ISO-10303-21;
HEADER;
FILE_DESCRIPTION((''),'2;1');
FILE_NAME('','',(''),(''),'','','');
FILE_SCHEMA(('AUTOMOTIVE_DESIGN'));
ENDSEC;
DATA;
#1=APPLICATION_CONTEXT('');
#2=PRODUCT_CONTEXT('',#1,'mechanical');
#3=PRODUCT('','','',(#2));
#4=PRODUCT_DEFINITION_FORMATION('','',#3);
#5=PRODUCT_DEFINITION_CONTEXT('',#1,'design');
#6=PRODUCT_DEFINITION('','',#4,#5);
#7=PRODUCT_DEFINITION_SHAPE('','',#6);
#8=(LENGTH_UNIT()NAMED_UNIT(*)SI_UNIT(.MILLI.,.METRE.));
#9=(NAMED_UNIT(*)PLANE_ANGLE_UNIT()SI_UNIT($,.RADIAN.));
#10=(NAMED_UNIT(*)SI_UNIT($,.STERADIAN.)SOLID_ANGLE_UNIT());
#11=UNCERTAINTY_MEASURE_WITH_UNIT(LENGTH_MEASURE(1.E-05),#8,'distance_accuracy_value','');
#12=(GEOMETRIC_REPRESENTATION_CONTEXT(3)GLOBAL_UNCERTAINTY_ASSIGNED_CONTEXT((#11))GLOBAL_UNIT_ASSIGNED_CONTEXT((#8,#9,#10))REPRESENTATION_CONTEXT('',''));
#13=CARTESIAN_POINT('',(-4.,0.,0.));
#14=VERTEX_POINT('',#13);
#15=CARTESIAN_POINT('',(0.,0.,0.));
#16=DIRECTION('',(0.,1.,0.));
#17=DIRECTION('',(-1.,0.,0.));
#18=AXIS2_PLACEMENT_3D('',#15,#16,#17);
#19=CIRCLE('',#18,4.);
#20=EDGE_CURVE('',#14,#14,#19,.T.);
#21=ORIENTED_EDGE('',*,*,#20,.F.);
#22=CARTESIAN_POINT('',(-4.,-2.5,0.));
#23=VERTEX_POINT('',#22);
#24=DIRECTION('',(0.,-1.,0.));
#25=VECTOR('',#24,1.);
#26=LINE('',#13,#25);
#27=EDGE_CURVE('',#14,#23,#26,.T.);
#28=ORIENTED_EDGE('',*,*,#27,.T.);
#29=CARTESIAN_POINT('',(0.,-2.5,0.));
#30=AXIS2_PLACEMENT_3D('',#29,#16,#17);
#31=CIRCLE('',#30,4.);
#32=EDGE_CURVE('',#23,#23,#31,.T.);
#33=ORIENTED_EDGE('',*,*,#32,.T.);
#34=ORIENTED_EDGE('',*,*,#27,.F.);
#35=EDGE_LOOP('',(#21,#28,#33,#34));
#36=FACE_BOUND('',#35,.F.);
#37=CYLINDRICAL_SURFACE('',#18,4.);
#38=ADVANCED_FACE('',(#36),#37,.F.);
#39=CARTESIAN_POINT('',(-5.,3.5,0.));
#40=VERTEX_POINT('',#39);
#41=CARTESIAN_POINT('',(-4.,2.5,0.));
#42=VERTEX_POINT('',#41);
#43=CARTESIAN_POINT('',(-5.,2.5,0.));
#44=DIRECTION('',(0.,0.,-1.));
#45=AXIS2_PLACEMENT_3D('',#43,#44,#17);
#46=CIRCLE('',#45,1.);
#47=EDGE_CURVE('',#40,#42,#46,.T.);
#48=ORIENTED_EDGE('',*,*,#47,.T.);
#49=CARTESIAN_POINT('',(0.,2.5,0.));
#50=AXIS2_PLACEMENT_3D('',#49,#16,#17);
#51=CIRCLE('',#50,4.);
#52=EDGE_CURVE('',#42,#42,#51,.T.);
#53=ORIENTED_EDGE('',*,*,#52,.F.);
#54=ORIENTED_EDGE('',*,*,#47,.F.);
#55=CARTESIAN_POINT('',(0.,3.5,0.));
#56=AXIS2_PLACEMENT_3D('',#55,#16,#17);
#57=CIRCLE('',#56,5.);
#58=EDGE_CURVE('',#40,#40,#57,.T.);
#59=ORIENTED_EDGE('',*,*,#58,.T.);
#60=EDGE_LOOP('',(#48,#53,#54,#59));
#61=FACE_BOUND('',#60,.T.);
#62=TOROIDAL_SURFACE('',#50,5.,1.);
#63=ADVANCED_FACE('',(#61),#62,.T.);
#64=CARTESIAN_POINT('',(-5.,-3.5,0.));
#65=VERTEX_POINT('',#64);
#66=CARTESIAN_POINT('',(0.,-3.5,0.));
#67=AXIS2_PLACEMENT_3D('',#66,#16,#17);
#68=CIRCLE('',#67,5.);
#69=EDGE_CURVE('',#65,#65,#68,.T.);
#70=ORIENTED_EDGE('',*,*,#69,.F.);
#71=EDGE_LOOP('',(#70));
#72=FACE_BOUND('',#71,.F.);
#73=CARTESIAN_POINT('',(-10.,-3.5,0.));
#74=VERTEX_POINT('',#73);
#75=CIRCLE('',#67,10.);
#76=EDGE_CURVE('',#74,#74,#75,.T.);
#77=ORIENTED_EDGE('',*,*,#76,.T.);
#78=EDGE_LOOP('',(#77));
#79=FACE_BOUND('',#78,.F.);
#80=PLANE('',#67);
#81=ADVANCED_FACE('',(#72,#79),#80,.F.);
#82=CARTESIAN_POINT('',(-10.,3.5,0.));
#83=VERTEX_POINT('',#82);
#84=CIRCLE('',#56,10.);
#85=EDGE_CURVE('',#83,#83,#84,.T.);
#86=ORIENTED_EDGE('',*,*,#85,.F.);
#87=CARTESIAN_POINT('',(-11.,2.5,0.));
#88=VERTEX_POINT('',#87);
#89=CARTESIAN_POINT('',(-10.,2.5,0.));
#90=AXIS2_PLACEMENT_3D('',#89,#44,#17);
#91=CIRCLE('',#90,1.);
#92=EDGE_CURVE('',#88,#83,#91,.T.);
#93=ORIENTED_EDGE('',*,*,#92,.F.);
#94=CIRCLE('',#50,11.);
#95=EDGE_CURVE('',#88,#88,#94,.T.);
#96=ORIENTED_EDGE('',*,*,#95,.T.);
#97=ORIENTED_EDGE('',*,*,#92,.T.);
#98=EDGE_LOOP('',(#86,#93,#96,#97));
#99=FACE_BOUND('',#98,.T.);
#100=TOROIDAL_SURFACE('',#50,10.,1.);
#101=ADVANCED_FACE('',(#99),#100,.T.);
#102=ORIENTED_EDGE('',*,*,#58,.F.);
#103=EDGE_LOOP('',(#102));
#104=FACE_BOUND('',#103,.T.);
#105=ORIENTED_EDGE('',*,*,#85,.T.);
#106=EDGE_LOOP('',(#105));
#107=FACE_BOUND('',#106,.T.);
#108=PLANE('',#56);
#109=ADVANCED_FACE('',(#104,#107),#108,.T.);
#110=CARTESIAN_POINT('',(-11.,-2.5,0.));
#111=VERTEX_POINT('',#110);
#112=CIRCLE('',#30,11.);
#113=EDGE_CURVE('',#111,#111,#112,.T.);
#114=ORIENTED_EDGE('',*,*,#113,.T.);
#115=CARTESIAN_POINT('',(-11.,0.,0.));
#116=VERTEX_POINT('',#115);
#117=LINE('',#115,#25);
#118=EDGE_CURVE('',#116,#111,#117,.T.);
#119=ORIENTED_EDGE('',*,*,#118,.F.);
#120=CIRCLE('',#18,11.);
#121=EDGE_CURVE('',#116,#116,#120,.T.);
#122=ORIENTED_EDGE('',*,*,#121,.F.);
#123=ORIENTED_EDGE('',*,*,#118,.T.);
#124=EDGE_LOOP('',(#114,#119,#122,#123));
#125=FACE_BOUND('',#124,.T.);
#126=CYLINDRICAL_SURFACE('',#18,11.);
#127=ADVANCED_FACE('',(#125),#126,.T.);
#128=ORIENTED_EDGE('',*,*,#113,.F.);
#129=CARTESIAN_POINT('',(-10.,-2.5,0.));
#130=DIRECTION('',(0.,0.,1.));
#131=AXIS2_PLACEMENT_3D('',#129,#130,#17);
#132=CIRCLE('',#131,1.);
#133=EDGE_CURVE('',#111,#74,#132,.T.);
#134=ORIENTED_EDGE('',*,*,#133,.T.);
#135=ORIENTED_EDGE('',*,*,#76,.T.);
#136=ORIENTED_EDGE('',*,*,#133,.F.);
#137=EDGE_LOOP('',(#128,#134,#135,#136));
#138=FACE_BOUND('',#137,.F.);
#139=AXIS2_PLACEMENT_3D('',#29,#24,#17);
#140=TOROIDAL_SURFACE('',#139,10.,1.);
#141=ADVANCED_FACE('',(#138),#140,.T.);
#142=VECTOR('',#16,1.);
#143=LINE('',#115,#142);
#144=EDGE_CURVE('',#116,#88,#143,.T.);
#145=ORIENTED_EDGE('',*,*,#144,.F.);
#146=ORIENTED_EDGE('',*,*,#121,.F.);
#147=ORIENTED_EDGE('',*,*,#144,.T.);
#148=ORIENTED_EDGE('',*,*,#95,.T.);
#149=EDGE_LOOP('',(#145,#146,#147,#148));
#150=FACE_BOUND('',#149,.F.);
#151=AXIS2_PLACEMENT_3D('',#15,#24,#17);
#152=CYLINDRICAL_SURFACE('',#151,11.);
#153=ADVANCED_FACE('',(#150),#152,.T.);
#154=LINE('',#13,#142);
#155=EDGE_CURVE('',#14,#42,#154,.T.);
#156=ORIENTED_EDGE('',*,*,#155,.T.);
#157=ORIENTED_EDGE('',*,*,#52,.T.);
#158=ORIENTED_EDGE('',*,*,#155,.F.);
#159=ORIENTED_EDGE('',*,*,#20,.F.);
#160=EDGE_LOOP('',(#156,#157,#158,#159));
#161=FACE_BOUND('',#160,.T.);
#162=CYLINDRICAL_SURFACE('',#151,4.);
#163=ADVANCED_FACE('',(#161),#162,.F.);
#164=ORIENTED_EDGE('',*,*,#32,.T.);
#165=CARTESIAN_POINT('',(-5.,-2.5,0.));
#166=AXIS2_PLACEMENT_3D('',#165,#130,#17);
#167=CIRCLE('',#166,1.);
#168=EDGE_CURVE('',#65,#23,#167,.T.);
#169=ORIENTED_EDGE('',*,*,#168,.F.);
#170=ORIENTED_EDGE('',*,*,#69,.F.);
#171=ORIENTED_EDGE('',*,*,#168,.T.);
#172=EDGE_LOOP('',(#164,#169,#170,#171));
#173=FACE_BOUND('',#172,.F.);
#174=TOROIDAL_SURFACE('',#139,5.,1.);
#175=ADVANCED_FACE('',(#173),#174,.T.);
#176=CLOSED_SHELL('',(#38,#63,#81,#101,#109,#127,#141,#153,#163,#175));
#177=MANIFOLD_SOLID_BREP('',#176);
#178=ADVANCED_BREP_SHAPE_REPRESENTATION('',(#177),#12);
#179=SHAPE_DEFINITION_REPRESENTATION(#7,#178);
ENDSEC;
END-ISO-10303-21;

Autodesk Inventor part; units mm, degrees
ref_plane "YZ Plane" through (0, 0, 0) normal (1, 0, 0) x (0, 1, 0)
ref_plane "XZ Plane" through (0, 0, 0) normal (0, 1, 0) x (-1, 0, 0)
ref_plane "XY Plane" through (0, 0, 0) normal (0, 0, 1) x (1, 0, 0)
sketch "Sketch1" plane through (0, 0, 0) normal (0, 1, 0) x (-1, 0, 0)
  circle A0 centre (0, 0) radius 4
  circle A1 centre (0, 0) radius 11
  dimension "d4" = 8
  dimension "d5" = 22
extrude "Extrusion1" add sketch "Sketch1" along normal mid plane 7
fillet "Fillet1" radius 1 4 edges at (11, 3.5, 0) (11, -3.5, 0) (4, 3.5, 0) (4, -3.5, 0)
properties part number "Bearing"
